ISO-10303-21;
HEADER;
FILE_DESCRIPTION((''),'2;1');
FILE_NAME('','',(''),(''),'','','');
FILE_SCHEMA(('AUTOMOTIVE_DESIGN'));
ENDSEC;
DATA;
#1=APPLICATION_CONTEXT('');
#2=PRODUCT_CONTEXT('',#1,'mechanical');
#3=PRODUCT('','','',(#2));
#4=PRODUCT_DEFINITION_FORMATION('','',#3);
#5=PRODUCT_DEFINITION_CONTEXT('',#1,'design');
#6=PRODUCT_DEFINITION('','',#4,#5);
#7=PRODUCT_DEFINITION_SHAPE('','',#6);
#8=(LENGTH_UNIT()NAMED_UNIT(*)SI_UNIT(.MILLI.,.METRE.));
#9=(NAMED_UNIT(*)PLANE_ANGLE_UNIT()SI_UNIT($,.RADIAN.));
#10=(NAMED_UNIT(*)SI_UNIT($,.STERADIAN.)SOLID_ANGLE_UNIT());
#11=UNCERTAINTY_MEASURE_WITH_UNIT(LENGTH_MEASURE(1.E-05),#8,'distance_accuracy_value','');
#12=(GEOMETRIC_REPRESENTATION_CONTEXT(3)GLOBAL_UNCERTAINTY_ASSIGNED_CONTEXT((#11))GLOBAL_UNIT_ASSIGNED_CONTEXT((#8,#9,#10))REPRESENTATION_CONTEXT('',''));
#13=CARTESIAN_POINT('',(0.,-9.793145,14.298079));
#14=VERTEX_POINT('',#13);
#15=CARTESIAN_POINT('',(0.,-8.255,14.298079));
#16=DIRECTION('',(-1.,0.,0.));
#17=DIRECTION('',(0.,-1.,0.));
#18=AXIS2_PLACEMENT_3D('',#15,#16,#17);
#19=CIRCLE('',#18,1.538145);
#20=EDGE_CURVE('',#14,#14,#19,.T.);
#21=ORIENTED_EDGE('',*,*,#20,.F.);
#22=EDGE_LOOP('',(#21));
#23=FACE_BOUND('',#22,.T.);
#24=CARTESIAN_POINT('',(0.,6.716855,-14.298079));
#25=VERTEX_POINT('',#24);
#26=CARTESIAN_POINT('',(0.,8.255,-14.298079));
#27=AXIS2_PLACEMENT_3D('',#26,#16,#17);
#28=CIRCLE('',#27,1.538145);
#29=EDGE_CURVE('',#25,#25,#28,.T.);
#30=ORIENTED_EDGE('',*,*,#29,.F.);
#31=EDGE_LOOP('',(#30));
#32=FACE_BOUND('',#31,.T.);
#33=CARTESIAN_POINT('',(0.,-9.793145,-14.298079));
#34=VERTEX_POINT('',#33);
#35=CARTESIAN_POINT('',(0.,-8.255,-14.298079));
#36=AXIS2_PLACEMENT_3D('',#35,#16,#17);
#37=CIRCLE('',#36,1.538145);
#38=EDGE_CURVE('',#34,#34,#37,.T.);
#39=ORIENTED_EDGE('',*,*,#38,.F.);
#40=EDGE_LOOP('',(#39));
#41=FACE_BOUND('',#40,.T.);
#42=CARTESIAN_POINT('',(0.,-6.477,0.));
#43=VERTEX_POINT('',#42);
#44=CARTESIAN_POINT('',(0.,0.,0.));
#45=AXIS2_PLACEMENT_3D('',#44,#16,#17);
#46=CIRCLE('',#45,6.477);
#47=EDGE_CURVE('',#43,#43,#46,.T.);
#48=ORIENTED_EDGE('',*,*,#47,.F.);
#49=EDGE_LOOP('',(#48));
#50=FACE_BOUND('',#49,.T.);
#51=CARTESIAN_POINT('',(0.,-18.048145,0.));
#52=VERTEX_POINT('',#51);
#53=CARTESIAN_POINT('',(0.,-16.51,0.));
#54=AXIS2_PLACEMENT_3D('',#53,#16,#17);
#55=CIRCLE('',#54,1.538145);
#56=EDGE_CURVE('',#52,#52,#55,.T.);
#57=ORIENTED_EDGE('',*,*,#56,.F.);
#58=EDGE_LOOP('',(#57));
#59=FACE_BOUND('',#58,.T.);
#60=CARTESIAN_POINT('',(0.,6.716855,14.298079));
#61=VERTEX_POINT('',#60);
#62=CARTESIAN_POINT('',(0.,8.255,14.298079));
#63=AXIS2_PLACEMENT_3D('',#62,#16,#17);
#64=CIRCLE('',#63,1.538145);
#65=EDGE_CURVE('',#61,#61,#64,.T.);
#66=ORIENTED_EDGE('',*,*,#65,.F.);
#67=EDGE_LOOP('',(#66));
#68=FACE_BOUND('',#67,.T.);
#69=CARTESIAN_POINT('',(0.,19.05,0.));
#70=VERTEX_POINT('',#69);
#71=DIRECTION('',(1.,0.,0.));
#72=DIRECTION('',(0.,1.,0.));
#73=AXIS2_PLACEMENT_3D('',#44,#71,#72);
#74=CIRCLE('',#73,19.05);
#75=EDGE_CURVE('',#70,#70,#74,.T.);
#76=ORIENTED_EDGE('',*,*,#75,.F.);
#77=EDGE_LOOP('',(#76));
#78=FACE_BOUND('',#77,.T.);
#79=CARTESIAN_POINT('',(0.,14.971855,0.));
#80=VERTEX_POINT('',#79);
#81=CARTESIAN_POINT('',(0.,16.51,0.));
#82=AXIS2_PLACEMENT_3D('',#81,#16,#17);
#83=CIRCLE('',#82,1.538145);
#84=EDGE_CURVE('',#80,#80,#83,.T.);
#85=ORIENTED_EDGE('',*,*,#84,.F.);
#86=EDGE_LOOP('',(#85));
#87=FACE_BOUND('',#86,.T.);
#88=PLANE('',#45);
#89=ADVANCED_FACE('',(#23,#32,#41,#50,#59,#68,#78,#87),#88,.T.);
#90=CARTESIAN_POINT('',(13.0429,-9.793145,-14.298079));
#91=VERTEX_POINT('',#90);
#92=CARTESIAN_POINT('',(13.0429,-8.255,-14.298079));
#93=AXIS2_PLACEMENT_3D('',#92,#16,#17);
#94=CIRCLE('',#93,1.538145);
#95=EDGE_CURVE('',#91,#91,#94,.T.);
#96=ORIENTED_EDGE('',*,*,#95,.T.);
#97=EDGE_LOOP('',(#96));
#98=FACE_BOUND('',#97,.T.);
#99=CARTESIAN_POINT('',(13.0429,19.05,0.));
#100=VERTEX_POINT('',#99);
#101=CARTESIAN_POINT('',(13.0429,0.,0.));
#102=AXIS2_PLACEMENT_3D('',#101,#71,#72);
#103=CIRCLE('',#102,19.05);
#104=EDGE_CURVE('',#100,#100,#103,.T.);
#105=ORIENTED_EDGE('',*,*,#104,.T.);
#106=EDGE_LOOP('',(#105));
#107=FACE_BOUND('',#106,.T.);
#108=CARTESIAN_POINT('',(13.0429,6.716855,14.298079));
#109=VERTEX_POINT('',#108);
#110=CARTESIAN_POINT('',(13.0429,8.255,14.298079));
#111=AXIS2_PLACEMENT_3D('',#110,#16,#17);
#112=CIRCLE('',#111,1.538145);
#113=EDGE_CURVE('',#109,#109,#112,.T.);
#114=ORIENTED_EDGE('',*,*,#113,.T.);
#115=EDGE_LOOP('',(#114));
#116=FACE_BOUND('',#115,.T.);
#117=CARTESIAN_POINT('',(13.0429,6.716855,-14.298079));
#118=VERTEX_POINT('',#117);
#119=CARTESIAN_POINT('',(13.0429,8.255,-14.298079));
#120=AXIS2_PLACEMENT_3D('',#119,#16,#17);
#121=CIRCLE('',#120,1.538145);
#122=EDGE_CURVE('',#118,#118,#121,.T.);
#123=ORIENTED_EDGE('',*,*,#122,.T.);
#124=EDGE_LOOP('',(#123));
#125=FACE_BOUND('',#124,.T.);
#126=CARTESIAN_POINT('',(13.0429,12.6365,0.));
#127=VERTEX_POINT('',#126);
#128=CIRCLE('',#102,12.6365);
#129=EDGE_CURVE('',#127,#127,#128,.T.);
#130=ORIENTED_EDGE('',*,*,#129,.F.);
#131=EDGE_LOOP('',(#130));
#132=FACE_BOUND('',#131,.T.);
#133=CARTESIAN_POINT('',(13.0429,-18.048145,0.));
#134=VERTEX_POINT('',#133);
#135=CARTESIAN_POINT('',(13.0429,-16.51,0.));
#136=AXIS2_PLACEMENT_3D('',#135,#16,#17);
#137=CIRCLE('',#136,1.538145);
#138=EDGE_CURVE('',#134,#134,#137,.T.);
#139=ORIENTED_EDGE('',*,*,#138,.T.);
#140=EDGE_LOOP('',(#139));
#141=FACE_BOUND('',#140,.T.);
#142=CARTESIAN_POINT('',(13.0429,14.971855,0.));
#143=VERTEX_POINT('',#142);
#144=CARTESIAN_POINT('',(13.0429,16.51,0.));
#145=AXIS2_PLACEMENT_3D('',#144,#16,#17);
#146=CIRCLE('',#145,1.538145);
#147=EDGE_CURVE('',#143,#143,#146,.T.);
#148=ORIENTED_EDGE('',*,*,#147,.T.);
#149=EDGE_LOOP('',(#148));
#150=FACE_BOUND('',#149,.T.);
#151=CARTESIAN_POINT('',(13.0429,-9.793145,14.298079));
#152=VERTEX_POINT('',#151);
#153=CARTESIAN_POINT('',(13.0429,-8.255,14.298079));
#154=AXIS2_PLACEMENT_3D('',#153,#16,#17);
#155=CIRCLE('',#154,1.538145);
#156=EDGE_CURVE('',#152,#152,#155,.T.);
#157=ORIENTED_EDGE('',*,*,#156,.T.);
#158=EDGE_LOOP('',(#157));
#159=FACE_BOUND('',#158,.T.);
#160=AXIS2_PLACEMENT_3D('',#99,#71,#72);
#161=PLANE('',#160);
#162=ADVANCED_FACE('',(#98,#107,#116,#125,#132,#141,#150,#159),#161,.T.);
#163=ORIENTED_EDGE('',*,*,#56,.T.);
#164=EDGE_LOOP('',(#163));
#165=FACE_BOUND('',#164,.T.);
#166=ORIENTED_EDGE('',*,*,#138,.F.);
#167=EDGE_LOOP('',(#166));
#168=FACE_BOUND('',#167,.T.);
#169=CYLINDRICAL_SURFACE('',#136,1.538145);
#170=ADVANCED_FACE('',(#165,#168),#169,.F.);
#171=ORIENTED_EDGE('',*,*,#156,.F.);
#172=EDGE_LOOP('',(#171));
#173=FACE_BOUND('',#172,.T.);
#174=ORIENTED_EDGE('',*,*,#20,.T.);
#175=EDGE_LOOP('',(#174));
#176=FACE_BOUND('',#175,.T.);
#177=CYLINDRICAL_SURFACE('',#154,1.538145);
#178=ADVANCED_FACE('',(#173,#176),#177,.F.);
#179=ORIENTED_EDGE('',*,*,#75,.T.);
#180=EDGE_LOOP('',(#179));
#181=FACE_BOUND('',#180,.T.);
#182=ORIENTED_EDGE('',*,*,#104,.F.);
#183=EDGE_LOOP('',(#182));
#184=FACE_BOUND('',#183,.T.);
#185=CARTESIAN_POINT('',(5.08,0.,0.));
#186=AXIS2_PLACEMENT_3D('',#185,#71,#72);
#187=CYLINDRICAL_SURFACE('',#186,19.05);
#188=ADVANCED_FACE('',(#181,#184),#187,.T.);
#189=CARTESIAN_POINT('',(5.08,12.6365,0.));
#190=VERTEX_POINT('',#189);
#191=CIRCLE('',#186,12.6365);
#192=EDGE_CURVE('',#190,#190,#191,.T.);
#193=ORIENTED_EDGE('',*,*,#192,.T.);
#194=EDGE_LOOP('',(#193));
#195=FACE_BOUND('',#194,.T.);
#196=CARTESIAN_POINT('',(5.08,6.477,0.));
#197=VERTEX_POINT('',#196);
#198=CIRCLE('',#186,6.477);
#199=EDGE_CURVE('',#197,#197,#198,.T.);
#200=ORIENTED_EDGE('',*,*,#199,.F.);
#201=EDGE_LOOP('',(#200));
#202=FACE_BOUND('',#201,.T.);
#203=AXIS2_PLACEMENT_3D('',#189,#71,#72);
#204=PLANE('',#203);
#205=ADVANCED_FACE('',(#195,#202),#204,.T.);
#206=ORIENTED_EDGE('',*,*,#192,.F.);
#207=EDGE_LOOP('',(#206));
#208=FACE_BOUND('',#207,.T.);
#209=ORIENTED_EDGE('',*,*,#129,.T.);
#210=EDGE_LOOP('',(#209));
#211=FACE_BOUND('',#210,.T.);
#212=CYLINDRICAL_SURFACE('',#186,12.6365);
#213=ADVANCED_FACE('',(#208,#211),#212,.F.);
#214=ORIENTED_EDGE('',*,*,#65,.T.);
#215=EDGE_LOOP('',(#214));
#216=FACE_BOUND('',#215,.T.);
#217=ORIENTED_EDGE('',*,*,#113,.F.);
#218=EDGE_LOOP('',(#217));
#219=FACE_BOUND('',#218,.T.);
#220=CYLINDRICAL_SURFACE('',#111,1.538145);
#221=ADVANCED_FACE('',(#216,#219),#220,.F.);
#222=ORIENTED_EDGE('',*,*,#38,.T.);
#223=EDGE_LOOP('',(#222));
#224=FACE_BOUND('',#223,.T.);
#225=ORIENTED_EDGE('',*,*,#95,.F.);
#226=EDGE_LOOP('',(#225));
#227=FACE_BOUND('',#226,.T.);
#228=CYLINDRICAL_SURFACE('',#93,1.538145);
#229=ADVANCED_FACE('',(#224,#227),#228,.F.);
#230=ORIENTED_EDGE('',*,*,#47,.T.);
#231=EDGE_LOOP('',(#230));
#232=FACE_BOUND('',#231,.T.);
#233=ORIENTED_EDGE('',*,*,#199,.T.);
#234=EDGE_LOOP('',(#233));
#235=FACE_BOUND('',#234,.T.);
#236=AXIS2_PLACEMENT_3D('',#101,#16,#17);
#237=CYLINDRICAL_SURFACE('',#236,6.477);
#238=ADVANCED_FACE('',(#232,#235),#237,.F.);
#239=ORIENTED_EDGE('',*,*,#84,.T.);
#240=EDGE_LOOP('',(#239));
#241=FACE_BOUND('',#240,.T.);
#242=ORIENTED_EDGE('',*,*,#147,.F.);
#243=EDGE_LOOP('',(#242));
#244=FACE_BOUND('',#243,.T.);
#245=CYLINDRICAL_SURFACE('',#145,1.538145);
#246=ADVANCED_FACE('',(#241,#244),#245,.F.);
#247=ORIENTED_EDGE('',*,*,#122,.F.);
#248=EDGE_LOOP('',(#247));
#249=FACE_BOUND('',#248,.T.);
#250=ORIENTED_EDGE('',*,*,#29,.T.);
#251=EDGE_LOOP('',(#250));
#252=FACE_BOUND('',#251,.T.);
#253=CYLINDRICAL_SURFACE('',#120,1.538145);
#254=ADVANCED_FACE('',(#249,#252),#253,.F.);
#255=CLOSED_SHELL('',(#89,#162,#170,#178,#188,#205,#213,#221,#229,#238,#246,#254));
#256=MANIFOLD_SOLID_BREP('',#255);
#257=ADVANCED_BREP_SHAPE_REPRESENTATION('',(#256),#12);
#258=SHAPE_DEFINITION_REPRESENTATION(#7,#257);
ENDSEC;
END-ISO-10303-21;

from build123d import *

# Parameters (mm, degrees)
SKETCH2_R          = 6.477
CUT_EXTRUDE1_DEPTH = 30.931960183
SKETCH3_R          = 1.538145308
CUT_EXTRUDE2_DEPTH = 30.931960183


with BuildPart() as part:
    # Sketch1 → Revolve1 (revolve)
    with BuildSketch(Plane.XY):
        Polygon((0, 0), (0, 19.05), (13.0429, 19.05), (13.0429, 12.6365), (5.08, 12.6365), (5.08, 0), align=None)
    revolve(axis=Axis((5.08, 0, 0), (-1, 0, 0)))

    # Sketch2 → Cut-Extrude1 (cut, through all)
    with BuildSketch(Plane.ZY):
        with Locations(Location((0, 0, 0), (0, 0, 270))):
            Circle(SKETCH2_R)
    extrude(amount=-CUT_EXTRUDE1_DEPTH, mode=Mode.SUBTRACT)

    # Sketch3 → Cut-Extrude2 (cut, through all)
    with BuildSketch(Plane.ZY):
        with Locations(Location((0, 16.51, 0), (0, 0, 270))):
            Circle(SKETCH3_R)
        with Locations(Location((14.298079416, 8.255, 0), (0, 0, 270))):
            Circle(SKETCH3_R)
        with Locations(Location((14.298079416, -8.255, 0), (0, 0, 270))):
            Circle(SKETCH3_R)
        with Locations(Location((0, -16.51, 0), (0, 0, 270))):
            Circle(SKETCH3_R)
        with Locations(Location((-14.298079416, -8.255, 0), (0, 0, 270))):
            Circle(SKETCH3_R)
        with Locations(Location((-14.298079416, 8.255, 0), (0, 0, 270))):
            Circle(SKETCH3_R)
    extrude(amount=-CUT_EXTRUDE2_DEPTH, mode=Mode.SUBTRACT)


solid = part.part
